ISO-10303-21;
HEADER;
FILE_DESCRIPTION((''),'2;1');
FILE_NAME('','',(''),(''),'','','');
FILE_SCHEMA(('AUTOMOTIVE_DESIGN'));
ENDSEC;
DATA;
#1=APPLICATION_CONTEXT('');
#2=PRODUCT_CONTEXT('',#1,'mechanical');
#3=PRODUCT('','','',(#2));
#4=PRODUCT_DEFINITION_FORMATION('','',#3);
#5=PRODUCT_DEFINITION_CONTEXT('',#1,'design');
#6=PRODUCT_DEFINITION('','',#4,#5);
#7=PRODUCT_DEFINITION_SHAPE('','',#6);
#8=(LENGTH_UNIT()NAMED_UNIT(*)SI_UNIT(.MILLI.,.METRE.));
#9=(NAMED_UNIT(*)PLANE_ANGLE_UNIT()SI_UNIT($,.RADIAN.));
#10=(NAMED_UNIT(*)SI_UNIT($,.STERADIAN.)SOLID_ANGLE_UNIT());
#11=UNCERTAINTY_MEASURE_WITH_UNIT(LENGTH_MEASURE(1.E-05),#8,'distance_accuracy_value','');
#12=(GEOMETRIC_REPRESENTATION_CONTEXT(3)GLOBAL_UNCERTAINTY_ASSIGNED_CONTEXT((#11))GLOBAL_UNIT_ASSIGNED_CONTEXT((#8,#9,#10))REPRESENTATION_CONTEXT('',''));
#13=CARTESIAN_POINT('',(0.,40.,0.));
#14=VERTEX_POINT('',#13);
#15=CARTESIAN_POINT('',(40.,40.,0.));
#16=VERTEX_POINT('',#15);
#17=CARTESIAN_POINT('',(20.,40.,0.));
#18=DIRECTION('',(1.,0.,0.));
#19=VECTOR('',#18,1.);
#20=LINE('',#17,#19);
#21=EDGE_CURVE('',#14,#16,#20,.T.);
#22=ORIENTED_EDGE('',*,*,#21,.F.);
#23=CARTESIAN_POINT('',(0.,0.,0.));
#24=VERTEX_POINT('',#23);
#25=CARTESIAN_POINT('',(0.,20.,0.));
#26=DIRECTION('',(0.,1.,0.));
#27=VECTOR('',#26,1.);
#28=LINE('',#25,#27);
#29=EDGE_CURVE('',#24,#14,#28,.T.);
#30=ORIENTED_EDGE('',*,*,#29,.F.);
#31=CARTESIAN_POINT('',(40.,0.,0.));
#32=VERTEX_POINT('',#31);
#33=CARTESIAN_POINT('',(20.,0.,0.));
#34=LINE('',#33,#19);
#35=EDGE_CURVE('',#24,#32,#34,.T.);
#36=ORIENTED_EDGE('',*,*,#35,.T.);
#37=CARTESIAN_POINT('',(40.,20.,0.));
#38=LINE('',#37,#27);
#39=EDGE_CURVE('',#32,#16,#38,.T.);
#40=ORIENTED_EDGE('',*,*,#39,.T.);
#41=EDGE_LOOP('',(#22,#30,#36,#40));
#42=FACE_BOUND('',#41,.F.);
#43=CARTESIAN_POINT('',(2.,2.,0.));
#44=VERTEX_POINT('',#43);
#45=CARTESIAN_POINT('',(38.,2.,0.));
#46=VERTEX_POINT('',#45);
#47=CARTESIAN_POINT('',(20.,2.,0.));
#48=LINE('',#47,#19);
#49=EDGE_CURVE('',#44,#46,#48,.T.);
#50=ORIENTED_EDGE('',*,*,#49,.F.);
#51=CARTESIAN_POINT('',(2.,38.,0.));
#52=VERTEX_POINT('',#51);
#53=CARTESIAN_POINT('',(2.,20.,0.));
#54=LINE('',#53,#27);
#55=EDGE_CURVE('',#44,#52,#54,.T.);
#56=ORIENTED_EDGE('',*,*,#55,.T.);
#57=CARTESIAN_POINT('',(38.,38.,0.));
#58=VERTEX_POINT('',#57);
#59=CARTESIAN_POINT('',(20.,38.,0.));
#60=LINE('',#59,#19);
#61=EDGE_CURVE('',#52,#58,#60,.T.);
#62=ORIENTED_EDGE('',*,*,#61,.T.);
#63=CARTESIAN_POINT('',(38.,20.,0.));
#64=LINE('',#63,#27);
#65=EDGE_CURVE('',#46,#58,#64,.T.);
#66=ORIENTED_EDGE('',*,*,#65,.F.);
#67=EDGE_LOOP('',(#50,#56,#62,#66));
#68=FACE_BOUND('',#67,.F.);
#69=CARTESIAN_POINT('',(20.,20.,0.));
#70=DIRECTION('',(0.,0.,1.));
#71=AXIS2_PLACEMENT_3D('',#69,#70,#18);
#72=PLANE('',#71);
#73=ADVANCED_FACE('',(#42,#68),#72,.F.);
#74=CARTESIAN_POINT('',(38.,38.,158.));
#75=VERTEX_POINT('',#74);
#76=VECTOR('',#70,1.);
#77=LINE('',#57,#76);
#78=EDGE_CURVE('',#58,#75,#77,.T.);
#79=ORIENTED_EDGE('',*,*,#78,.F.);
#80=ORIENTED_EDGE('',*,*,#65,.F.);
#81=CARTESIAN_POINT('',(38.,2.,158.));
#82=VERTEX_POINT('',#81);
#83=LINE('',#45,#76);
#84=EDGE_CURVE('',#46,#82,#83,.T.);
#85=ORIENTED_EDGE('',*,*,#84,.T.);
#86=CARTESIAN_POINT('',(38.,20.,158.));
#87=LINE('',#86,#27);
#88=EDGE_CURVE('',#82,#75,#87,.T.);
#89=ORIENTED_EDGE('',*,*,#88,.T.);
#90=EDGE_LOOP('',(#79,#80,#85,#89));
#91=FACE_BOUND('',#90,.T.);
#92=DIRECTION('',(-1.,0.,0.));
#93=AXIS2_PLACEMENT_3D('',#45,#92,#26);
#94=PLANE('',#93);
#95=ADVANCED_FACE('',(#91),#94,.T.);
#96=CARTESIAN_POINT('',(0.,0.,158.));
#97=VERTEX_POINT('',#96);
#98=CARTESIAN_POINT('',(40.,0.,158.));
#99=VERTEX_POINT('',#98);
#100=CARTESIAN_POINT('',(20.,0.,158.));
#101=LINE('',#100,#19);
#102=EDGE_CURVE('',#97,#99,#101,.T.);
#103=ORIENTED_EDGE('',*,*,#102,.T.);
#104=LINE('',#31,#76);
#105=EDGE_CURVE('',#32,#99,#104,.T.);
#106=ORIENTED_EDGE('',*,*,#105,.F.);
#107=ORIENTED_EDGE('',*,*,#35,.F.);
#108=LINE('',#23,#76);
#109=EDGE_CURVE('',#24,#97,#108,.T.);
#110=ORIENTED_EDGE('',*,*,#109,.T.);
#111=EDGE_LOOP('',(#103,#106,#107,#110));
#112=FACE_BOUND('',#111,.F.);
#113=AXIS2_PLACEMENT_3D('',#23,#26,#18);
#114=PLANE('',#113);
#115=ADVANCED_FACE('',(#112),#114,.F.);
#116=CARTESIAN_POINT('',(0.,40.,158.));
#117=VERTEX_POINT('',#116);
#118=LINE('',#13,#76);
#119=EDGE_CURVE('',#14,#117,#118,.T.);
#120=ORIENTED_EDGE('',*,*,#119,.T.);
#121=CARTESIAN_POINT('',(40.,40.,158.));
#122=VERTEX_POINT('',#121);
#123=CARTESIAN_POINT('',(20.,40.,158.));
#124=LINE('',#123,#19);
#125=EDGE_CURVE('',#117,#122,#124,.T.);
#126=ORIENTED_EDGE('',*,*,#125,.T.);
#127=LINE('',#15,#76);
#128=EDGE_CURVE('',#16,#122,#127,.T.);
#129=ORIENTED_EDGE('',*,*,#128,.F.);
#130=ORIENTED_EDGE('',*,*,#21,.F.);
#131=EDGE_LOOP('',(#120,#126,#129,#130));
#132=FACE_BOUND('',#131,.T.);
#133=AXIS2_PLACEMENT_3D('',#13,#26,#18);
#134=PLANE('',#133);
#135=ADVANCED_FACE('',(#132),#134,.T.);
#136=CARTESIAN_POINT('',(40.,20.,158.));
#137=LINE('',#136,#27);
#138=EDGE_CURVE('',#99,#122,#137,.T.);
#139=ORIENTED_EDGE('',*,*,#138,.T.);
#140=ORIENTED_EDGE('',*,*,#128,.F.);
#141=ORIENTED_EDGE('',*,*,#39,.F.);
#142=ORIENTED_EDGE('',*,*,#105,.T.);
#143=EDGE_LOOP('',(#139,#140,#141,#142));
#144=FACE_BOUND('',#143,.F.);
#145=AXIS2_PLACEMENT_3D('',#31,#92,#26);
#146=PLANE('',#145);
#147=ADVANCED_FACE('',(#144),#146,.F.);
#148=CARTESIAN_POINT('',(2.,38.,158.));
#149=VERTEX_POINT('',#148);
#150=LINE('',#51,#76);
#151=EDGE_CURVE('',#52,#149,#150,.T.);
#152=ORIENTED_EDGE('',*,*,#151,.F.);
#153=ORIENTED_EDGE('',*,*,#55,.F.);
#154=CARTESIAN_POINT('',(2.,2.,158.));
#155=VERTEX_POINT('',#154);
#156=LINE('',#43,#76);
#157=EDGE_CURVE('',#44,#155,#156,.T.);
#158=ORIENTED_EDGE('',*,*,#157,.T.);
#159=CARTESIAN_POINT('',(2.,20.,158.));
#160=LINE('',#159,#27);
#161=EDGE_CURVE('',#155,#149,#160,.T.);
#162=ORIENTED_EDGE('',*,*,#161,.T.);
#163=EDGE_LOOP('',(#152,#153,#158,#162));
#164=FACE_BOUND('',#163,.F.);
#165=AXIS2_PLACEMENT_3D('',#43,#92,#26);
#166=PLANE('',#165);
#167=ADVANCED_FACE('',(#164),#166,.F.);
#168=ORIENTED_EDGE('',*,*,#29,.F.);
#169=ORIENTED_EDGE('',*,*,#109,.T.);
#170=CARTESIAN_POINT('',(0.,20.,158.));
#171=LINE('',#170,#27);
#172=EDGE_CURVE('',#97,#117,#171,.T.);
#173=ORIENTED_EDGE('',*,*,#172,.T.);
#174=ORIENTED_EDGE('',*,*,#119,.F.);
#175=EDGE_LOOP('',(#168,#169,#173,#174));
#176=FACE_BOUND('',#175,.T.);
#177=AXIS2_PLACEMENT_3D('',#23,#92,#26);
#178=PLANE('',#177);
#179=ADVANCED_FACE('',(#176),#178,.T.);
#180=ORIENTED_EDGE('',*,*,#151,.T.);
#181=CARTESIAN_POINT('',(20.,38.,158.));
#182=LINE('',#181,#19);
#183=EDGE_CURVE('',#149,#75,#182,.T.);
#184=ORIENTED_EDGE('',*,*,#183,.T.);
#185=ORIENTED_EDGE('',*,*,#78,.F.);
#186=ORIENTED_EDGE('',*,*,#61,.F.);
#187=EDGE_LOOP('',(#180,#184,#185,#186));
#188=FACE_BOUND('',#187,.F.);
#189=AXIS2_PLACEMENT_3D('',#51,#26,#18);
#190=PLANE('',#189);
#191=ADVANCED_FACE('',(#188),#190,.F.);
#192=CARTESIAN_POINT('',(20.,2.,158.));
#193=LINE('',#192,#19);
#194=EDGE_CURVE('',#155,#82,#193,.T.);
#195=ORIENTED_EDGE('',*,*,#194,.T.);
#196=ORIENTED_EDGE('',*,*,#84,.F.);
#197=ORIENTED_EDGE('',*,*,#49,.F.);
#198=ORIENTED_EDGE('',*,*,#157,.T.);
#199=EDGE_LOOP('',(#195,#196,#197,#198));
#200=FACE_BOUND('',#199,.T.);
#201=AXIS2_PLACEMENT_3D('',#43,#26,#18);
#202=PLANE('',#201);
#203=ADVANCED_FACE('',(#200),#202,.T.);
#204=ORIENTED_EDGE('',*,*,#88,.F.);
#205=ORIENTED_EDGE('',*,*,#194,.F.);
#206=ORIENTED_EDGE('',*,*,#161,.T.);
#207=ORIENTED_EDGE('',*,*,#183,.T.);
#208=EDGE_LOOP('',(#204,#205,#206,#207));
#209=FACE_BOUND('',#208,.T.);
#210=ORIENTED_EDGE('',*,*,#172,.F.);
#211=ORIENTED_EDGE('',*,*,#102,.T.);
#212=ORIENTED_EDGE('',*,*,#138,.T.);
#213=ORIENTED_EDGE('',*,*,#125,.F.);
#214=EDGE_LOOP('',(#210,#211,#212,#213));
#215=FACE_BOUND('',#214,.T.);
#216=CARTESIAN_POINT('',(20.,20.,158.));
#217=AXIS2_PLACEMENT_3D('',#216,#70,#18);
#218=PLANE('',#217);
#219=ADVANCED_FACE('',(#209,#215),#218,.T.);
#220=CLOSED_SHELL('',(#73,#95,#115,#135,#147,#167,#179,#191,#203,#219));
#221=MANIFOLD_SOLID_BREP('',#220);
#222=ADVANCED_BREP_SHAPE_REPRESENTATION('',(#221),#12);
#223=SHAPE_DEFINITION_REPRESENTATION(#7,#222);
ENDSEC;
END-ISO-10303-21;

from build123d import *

# Parameters (mm, degrees)
SKETCH_W   = 40
SKETCH_H   = 40
SKETCH_W_2 = 36
SKETCH_H_2 = 36
PAD_DEPTH  = 158


with BuildPart() as part:
    # Sketch → Pad (new body)
    with BuildSketch(Plane.XY):
        with Locations((20, 20)):
            Rectangle(SKETCH_W, SKETCH_H)
        with Locations((20, 20)):
            Rectangle(SKETCH_W_2, SKETCH_H_2, mode=Mode.SUBTRACT)
    extrude(amount=PAD_DEPTH)


solid = part.part
